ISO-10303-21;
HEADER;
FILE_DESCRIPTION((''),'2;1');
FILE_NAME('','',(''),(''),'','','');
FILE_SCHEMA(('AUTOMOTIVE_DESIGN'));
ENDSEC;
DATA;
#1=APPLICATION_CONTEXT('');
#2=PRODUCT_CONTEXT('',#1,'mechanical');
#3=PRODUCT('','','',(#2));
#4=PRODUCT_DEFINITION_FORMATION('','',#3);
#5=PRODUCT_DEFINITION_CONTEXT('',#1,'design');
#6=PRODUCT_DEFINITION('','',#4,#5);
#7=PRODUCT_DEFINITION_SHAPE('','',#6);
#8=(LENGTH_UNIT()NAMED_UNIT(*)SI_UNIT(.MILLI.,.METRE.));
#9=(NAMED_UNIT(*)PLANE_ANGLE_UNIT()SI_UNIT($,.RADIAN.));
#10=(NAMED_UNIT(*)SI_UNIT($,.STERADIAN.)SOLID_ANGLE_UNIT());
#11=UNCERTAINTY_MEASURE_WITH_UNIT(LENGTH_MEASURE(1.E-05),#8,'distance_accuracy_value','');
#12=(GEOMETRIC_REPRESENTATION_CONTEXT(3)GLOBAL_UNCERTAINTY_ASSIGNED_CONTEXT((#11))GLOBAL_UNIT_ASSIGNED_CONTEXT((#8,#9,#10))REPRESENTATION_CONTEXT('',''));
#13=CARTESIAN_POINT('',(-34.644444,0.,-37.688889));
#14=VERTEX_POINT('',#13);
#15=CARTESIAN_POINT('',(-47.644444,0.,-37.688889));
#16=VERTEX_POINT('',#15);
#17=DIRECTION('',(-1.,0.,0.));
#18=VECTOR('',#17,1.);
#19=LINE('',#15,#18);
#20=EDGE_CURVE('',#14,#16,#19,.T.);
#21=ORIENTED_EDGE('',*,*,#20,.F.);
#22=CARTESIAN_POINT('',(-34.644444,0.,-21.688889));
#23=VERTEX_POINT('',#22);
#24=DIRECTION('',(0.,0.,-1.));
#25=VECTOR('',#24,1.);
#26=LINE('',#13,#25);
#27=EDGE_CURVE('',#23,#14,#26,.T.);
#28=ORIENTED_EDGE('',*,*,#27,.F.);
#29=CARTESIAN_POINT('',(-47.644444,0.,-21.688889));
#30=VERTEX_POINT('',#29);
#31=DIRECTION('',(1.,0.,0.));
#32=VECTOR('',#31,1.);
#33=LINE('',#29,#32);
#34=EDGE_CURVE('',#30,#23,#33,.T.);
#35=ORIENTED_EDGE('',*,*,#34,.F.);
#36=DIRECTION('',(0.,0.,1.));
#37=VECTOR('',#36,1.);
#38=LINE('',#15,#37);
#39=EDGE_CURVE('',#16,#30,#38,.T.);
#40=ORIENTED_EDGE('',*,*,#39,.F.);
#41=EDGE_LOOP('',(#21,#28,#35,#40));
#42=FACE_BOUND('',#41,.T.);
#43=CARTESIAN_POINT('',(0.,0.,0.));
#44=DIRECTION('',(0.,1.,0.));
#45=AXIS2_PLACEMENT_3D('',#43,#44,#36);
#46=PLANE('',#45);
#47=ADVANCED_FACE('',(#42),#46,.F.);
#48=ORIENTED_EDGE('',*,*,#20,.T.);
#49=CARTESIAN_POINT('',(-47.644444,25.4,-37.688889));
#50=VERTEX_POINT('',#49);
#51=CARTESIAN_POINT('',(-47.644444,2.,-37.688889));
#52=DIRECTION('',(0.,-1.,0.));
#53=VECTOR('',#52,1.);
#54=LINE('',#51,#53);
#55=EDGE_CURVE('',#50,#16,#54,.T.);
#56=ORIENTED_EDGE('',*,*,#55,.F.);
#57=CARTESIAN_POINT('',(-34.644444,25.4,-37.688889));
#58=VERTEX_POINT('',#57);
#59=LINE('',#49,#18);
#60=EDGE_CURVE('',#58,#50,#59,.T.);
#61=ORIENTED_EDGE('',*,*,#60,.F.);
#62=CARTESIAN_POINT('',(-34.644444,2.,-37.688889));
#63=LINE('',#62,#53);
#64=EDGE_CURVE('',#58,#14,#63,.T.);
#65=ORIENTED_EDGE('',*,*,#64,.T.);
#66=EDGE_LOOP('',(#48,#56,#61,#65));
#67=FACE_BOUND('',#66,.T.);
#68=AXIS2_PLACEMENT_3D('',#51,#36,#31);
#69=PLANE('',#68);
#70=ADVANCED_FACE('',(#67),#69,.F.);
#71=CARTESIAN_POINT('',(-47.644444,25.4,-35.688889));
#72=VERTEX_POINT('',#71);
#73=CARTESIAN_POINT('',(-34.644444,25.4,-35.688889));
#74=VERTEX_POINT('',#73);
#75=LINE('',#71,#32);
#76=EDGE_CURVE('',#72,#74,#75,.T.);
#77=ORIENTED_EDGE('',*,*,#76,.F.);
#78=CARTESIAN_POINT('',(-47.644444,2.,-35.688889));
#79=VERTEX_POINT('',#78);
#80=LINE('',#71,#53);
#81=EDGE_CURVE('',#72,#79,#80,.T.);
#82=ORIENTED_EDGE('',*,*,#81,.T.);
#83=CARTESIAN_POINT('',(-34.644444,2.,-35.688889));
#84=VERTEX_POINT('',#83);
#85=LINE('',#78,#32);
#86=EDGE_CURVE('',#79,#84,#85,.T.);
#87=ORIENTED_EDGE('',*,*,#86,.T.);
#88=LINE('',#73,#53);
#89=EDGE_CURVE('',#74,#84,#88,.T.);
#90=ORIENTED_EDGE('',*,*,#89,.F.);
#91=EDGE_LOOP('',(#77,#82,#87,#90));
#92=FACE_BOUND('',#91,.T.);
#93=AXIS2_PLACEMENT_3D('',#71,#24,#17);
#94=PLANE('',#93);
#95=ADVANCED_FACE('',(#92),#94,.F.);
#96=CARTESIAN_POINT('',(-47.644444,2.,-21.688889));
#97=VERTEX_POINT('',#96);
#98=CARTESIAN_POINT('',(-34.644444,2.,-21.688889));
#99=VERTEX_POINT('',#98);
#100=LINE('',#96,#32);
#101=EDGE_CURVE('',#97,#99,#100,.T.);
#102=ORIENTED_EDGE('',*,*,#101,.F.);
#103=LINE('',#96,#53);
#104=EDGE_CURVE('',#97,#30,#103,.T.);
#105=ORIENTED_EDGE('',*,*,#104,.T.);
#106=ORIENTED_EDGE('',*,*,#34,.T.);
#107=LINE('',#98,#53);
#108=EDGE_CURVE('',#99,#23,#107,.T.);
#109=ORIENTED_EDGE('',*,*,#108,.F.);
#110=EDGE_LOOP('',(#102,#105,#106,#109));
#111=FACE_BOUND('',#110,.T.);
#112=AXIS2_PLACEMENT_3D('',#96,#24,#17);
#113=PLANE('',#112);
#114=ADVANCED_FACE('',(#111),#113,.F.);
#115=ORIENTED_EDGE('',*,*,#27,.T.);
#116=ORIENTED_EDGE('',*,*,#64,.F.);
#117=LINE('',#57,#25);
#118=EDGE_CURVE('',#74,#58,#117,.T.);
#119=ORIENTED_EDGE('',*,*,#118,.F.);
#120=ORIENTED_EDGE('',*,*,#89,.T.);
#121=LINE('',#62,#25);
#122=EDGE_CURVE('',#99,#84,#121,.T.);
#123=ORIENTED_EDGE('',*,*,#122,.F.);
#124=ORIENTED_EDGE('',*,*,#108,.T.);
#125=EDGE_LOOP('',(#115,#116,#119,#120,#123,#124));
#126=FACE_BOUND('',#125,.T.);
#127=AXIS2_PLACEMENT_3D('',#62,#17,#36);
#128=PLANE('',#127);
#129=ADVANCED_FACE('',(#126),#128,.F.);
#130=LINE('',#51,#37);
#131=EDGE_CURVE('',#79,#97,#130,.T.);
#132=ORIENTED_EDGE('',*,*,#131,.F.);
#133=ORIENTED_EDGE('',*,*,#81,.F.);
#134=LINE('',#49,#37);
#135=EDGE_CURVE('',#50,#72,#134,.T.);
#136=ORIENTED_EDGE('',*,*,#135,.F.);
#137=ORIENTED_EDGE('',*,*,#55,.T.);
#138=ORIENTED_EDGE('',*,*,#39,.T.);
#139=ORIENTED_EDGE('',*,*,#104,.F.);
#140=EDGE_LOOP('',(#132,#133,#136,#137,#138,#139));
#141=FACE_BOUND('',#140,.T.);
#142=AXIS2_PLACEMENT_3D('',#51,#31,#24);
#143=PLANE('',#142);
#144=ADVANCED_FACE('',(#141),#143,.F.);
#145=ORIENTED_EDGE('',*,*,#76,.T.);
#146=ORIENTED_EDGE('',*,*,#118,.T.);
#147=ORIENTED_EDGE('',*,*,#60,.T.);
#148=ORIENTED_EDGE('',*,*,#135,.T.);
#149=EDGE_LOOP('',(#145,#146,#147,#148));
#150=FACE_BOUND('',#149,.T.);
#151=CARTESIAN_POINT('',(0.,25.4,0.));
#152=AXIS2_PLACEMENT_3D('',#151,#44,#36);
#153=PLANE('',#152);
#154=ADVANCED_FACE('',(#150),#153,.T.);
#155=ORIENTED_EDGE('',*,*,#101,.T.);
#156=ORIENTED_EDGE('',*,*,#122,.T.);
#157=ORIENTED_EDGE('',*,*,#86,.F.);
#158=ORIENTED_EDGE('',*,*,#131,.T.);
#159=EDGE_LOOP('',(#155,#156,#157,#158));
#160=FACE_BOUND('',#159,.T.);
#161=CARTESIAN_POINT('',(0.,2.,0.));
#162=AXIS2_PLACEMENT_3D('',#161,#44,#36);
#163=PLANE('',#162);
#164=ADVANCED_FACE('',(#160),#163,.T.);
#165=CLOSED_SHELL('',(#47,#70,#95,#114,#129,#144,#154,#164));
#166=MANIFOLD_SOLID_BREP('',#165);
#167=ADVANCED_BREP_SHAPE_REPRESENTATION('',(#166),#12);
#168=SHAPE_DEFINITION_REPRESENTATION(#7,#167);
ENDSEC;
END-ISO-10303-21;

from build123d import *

# Parameters (mm, degrees)
SKETCH1_W           = 13
SKETCH1_H           = 16
BOSS_EXTRUDE1_DEPTH = 2
SKETCH2_W           = 13
SKETCH2_H           = 2
BOSS_EXTRUDE2_DEPTH = 23.4


with BuildPart() as part:
    # Sketch1 → Boss-Extrude1 (new body)
    with BuildSketch(Plane(origin=(0, 0, 0), x_dir=(1, 0, 0), z_dir=(0, 1, 0))):
        with Locations((-41.144444444, 29.688888889)):
            Rectangle(SKETCH1_W, SKETCH1_H)
    extrude(amount=BOSS_EXTRUDE1_DEPTH)

    # Sketch2 → Boss-Extrude2 (add)
    with BuildSketch(Plane(origin=(0, 2, 0), x_dir=(1, 0, 0), z_dir=(0, 1, 0))):
        with Locations((-41.144444444, 36.688888889)):
            Rectangle(SKETCH2_W, SKETCH2_H)
    extrude(amount=BOSS_EXTRUDE2_DEPTH)


solid = part.part
